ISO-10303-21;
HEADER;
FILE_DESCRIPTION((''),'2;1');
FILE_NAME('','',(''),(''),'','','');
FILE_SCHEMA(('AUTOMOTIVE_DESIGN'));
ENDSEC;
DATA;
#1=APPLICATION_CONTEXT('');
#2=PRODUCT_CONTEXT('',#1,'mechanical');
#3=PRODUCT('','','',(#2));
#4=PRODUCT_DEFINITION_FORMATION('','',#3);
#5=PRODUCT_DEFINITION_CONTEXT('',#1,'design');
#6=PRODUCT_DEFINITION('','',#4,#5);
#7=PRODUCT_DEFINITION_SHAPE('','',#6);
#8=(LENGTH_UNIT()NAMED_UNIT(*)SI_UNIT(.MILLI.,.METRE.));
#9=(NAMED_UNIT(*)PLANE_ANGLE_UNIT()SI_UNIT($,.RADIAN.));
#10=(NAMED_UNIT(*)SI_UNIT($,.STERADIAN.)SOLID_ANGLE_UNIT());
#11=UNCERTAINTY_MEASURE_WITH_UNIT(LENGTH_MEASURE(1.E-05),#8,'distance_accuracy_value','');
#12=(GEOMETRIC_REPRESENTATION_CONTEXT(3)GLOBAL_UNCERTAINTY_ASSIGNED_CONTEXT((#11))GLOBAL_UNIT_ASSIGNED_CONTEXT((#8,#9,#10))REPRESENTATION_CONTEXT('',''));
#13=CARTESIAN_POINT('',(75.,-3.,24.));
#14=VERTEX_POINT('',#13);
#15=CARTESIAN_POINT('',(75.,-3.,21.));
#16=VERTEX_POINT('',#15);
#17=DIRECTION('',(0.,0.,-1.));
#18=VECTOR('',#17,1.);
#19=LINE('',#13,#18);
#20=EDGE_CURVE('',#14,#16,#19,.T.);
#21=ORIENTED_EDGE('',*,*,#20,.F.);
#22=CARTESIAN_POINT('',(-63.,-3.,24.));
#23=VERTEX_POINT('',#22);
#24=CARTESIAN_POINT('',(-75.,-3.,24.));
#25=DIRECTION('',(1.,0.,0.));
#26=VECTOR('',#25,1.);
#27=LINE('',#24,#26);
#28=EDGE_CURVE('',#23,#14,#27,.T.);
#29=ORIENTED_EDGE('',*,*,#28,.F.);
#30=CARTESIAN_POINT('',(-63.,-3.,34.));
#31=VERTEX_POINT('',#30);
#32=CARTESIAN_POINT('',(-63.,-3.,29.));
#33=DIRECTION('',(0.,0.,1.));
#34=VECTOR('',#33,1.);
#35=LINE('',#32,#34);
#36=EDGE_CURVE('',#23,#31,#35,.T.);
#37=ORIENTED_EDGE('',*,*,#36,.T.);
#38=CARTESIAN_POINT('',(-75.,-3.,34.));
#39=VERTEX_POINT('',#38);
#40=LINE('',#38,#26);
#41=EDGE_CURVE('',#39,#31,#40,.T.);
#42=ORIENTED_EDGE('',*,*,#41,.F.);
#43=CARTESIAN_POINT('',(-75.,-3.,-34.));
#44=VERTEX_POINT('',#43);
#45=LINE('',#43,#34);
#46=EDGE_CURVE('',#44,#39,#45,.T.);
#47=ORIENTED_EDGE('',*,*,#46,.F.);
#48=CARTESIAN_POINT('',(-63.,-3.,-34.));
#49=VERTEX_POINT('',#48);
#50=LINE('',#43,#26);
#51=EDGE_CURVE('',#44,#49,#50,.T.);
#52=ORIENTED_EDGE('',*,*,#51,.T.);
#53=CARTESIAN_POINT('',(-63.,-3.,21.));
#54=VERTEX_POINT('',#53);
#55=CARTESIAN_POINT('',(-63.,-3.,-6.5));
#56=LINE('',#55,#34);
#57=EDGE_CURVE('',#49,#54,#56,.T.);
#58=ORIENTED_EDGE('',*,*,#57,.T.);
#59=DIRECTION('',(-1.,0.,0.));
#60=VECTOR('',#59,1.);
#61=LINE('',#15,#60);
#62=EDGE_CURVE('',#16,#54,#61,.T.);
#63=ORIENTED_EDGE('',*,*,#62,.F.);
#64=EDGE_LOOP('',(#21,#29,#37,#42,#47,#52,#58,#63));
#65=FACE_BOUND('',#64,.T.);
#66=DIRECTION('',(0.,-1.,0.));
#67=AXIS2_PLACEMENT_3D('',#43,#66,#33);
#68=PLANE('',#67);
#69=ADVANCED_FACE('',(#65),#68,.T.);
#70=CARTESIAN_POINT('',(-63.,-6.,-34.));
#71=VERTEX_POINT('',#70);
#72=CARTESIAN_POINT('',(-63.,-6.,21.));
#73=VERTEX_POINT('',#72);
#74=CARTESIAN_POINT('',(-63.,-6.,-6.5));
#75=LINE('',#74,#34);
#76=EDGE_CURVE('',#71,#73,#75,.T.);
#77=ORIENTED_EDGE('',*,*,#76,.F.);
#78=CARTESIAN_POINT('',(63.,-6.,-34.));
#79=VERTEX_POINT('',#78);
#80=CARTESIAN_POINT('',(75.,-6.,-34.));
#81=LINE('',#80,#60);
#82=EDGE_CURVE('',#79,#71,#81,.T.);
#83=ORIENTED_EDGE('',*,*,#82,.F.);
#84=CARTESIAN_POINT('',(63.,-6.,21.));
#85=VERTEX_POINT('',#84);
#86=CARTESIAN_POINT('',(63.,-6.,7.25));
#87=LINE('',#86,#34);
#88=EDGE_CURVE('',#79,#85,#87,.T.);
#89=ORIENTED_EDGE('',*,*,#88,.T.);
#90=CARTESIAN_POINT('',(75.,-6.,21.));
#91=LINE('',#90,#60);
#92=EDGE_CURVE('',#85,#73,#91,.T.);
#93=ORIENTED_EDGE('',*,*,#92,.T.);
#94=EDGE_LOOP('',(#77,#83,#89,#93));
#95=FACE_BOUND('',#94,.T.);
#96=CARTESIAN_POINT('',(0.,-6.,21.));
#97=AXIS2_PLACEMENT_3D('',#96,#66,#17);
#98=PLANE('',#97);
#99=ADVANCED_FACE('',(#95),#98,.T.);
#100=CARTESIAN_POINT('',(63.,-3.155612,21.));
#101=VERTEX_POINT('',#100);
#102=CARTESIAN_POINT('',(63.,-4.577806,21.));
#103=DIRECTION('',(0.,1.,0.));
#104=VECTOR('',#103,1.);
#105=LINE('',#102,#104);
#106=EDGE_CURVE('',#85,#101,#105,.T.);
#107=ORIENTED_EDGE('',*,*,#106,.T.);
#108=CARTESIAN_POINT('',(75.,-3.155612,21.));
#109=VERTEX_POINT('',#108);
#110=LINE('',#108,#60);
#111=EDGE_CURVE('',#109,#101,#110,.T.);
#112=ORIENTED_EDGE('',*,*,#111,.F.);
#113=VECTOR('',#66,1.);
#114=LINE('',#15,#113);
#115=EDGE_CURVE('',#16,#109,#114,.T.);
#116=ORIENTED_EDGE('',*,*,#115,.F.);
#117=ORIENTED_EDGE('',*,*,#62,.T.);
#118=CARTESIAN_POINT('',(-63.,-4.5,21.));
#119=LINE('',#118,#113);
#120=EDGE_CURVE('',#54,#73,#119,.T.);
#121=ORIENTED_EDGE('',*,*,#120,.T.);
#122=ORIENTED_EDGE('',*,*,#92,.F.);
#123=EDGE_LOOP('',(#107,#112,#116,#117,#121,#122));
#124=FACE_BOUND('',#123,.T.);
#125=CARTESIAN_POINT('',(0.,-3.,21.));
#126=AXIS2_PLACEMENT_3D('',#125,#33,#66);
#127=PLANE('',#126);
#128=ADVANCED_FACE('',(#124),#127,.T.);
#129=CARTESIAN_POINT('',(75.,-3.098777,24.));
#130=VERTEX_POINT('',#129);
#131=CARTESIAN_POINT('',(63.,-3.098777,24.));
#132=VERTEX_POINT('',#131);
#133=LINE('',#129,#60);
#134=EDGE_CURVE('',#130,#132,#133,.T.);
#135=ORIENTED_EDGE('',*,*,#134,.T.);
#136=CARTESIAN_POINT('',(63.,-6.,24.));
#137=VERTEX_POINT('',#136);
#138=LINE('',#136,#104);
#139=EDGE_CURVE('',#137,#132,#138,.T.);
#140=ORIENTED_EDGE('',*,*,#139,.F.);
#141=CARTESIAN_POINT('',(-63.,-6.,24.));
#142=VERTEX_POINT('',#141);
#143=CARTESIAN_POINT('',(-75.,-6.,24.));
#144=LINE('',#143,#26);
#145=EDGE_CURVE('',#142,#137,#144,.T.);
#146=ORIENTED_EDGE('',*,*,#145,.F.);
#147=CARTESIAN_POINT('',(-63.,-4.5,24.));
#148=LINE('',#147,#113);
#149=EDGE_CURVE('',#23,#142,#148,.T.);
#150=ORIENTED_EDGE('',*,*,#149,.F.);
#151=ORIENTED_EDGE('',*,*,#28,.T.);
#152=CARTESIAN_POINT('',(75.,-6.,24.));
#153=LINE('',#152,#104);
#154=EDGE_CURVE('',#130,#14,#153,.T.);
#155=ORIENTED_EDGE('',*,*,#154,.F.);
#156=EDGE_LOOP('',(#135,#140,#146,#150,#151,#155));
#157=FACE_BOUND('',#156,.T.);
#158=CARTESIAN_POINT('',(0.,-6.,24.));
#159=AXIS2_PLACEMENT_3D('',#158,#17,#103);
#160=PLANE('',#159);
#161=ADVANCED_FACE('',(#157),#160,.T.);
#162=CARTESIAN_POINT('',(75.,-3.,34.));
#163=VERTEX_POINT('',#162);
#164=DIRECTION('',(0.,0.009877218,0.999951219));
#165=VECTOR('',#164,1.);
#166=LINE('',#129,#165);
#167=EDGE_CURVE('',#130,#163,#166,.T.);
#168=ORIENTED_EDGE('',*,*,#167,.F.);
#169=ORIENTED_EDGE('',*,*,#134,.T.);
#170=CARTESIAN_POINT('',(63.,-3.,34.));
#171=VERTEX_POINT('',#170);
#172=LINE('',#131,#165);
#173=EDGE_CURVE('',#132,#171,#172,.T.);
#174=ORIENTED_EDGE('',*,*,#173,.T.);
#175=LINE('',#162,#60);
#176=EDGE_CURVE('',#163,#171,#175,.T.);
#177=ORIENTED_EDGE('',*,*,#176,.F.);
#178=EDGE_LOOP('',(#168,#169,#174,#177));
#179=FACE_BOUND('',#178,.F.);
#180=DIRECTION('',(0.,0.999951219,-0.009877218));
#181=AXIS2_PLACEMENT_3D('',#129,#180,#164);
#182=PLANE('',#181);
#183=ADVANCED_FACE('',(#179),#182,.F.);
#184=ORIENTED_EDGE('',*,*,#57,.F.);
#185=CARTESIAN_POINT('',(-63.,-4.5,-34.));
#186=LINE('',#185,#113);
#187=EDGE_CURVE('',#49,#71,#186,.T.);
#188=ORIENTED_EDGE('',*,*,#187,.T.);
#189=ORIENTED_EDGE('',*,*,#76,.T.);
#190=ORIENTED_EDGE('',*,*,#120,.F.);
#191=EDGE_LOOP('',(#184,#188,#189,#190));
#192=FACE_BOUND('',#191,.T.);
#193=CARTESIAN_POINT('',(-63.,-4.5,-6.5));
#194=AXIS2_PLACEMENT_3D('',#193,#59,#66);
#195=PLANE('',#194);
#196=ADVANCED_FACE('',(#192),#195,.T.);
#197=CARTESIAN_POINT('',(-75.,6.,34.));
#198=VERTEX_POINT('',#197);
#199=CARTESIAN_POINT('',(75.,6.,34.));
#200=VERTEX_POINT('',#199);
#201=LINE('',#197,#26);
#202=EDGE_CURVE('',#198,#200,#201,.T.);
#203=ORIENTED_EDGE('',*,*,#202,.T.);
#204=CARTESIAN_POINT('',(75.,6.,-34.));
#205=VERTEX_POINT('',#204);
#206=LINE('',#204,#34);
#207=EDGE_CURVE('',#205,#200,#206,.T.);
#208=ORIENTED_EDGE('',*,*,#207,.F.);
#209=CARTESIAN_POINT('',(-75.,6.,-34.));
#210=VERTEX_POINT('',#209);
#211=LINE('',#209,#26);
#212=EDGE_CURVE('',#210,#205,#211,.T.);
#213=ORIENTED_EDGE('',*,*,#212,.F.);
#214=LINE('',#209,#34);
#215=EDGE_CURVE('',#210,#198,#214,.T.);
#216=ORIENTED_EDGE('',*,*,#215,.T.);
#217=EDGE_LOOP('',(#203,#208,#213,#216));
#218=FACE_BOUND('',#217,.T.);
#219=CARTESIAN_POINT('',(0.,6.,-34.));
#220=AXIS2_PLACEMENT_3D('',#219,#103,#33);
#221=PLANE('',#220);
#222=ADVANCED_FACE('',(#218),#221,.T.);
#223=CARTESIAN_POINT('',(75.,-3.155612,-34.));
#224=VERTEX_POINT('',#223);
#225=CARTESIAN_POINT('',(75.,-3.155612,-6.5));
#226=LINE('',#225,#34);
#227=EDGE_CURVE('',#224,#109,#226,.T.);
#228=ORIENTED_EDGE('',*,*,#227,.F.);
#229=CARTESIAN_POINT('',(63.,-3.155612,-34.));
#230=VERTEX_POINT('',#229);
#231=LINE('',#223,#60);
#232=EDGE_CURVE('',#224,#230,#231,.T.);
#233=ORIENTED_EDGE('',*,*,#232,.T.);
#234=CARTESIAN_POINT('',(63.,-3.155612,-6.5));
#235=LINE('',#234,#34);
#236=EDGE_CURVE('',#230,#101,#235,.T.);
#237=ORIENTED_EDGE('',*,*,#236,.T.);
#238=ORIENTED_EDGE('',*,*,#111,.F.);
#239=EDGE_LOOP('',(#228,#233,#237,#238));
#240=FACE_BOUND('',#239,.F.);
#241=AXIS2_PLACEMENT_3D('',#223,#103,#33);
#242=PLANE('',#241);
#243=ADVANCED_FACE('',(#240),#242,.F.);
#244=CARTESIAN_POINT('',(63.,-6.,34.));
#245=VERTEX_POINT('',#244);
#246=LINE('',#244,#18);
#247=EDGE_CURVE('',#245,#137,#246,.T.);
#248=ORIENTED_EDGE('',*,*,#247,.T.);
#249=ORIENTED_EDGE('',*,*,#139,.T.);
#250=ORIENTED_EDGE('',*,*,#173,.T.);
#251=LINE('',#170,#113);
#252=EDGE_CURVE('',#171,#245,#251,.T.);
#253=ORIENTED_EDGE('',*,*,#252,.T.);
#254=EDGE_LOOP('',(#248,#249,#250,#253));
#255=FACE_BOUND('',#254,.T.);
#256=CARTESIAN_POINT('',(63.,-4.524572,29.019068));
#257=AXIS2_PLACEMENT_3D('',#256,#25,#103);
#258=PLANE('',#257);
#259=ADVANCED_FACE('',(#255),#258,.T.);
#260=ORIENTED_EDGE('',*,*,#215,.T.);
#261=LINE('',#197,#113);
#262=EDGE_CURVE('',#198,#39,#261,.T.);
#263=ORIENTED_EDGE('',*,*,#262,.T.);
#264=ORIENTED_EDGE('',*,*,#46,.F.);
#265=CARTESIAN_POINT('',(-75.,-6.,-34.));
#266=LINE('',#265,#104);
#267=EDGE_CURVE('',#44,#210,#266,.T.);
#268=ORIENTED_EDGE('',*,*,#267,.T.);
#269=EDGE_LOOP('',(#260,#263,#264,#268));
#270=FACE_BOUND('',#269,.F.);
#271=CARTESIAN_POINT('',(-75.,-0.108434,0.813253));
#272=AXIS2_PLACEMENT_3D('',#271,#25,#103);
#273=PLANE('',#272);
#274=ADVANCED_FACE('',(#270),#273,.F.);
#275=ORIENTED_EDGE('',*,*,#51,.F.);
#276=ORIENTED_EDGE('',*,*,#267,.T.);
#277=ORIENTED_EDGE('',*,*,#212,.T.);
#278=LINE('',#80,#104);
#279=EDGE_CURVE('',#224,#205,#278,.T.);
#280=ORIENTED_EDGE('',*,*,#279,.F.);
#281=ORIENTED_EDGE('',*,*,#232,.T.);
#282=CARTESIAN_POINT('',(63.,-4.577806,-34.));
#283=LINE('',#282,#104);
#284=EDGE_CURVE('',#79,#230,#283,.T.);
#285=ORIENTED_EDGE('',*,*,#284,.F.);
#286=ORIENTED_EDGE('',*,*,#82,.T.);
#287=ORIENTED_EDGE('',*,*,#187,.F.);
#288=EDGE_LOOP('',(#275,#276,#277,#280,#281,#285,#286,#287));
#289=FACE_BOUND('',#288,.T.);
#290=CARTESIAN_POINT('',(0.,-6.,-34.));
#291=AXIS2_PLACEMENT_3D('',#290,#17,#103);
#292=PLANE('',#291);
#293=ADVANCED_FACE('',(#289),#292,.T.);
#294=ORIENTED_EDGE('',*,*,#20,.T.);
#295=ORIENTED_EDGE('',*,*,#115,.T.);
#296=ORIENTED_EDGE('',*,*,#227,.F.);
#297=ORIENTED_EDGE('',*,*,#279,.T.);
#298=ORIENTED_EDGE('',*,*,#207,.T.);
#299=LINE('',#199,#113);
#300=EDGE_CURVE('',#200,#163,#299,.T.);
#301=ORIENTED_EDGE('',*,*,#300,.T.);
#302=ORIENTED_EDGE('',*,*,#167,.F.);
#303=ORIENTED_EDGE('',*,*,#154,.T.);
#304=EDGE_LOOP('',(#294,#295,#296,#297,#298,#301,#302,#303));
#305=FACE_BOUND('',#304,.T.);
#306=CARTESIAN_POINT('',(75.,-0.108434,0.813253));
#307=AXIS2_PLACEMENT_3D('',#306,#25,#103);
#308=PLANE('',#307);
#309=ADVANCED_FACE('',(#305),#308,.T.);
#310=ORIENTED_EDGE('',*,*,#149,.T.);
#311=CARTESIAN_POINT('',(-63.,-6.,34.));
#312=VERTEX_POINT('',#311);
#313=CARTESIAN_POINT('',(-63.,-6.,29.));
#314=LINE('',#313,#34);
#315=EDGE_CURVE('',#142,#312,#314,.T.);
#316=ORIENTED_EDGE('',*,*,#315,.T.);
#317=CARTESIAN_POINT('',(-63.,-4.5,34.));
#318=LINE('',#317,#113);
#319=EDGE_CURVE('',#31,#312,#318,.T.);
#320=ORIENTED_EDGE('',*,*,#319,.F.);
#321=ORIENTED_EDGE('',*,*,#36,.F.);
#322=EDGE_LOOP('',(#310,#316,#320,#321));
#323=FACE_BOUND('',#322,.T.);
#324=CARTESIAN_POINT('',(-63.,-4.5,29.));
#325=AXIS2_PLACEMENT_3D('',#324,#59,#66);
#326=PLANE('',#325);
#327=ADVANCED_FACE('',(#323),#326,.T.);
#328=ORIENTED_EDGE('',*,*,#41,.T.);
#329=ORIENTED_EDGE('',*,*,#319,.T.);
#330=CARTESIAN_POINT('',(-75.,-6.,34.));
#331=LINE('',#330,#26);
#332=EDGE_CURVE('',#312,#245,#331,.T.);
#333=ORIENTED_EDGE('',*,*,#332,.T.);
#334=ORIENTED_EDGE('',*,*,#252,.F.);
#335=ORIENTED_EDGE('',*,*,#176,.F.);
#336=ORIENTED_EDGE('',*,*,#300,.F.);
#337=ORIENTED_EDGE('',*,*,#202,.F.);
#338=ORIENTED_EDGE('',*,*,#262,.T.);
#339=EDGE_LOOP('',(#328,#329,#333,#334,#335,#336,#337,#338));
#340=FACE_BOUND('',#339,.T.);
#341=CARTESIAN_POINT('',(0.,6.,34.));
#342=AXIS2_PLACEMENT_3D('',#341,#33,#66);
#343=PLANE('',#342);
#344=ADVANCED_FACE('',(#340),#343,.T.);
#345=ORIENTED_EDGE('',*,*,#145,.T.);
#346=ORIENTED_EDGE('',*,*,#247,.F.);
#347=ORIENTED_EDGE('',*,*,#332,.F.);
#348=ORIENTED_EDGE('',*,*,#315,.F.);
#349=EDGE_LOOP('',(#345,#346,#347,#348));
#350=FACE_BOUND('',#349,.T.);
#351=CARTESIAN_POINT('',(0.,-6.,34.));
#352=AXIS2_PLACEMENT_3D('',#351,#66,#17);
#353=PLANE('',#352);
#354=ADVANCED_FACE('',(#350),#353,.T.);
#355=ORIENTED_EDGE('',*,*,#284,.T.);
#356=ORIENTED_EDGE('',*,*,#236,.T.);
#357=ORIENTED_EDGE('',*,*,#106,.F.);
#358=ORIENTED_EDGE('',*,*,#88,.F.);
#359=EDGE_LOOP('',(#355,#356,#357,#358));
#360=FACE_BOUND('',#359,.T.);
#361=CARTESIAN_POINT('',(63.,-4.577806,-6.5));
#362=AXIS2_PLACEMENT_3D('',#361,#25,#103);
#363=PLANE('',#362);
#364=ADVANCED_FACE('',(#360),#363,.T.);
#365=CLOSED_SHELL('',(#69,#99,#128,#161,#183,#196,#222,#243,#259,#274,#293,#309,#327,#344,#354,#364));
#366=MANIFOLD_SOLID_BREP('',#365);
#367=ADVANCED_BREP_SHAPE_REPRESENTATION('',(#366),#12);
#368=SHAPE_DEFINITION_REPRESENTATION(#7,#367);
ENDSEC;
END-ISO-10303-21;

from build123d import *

# Parameters (mm, degrees)
F1_DEPTH = 75
F2_W     = 2.844389
F2_H     = 55
F3_DEPTH = 12
F5_DEPTH = 12
F6_W     = 3
F6_H     = 55
F6_H_2   = 10
F7_DEPTH = 12


with BuildPart() as f1:
    # F0 (on Right) → F1 (new body, symmetric)
    with BuildSketch(Plane.YZ):
        Polygon((-6, -34), (6, -34), (6, 34), (-6, 34), (-6, 24), (-3, 24), (-3, 21), (-6, 21), align=None)
    extrude(amount=F1_DEPTH, both=True)

    # F2 (on face) → F3 (cut)
    with BuildSketch(Plane.YZ.offset(75)):
        with Locations((-4.577806, -6.5)):
            Rectangle(F2_W, F2_H)
    extrude(amount=-F3_DEPTH, mode=Mode.SUBTRACT)

    # F4 (on face) → F5 (cut)
    with BuildSketch(Plane.YZ.offset(75)):
        Polygon((-6, 24), (-3.098777, 24), (-3, 34), (-6, 34), align=None)
    extrude(amount=-F5_DEPTH, mode=Mode.SUBTRACT)

    # F6 (on face) → F7 (cut)
    with BuildSketch(Plane(origin=(-75, 0, 0), x_dir=(0, -1, 0), z_dir=(-1, 0, 0))):
        with Locations((4.5, -6.5)):
            Rectangle(F6_W, F6_H)
        with Locations((4.5, 29)):
            Rectangle(F6_W, F6_H_2)
    extrude(amount=-F7_DEPTH, mode=Mode.SUBTRACT)


solid = f1.part
